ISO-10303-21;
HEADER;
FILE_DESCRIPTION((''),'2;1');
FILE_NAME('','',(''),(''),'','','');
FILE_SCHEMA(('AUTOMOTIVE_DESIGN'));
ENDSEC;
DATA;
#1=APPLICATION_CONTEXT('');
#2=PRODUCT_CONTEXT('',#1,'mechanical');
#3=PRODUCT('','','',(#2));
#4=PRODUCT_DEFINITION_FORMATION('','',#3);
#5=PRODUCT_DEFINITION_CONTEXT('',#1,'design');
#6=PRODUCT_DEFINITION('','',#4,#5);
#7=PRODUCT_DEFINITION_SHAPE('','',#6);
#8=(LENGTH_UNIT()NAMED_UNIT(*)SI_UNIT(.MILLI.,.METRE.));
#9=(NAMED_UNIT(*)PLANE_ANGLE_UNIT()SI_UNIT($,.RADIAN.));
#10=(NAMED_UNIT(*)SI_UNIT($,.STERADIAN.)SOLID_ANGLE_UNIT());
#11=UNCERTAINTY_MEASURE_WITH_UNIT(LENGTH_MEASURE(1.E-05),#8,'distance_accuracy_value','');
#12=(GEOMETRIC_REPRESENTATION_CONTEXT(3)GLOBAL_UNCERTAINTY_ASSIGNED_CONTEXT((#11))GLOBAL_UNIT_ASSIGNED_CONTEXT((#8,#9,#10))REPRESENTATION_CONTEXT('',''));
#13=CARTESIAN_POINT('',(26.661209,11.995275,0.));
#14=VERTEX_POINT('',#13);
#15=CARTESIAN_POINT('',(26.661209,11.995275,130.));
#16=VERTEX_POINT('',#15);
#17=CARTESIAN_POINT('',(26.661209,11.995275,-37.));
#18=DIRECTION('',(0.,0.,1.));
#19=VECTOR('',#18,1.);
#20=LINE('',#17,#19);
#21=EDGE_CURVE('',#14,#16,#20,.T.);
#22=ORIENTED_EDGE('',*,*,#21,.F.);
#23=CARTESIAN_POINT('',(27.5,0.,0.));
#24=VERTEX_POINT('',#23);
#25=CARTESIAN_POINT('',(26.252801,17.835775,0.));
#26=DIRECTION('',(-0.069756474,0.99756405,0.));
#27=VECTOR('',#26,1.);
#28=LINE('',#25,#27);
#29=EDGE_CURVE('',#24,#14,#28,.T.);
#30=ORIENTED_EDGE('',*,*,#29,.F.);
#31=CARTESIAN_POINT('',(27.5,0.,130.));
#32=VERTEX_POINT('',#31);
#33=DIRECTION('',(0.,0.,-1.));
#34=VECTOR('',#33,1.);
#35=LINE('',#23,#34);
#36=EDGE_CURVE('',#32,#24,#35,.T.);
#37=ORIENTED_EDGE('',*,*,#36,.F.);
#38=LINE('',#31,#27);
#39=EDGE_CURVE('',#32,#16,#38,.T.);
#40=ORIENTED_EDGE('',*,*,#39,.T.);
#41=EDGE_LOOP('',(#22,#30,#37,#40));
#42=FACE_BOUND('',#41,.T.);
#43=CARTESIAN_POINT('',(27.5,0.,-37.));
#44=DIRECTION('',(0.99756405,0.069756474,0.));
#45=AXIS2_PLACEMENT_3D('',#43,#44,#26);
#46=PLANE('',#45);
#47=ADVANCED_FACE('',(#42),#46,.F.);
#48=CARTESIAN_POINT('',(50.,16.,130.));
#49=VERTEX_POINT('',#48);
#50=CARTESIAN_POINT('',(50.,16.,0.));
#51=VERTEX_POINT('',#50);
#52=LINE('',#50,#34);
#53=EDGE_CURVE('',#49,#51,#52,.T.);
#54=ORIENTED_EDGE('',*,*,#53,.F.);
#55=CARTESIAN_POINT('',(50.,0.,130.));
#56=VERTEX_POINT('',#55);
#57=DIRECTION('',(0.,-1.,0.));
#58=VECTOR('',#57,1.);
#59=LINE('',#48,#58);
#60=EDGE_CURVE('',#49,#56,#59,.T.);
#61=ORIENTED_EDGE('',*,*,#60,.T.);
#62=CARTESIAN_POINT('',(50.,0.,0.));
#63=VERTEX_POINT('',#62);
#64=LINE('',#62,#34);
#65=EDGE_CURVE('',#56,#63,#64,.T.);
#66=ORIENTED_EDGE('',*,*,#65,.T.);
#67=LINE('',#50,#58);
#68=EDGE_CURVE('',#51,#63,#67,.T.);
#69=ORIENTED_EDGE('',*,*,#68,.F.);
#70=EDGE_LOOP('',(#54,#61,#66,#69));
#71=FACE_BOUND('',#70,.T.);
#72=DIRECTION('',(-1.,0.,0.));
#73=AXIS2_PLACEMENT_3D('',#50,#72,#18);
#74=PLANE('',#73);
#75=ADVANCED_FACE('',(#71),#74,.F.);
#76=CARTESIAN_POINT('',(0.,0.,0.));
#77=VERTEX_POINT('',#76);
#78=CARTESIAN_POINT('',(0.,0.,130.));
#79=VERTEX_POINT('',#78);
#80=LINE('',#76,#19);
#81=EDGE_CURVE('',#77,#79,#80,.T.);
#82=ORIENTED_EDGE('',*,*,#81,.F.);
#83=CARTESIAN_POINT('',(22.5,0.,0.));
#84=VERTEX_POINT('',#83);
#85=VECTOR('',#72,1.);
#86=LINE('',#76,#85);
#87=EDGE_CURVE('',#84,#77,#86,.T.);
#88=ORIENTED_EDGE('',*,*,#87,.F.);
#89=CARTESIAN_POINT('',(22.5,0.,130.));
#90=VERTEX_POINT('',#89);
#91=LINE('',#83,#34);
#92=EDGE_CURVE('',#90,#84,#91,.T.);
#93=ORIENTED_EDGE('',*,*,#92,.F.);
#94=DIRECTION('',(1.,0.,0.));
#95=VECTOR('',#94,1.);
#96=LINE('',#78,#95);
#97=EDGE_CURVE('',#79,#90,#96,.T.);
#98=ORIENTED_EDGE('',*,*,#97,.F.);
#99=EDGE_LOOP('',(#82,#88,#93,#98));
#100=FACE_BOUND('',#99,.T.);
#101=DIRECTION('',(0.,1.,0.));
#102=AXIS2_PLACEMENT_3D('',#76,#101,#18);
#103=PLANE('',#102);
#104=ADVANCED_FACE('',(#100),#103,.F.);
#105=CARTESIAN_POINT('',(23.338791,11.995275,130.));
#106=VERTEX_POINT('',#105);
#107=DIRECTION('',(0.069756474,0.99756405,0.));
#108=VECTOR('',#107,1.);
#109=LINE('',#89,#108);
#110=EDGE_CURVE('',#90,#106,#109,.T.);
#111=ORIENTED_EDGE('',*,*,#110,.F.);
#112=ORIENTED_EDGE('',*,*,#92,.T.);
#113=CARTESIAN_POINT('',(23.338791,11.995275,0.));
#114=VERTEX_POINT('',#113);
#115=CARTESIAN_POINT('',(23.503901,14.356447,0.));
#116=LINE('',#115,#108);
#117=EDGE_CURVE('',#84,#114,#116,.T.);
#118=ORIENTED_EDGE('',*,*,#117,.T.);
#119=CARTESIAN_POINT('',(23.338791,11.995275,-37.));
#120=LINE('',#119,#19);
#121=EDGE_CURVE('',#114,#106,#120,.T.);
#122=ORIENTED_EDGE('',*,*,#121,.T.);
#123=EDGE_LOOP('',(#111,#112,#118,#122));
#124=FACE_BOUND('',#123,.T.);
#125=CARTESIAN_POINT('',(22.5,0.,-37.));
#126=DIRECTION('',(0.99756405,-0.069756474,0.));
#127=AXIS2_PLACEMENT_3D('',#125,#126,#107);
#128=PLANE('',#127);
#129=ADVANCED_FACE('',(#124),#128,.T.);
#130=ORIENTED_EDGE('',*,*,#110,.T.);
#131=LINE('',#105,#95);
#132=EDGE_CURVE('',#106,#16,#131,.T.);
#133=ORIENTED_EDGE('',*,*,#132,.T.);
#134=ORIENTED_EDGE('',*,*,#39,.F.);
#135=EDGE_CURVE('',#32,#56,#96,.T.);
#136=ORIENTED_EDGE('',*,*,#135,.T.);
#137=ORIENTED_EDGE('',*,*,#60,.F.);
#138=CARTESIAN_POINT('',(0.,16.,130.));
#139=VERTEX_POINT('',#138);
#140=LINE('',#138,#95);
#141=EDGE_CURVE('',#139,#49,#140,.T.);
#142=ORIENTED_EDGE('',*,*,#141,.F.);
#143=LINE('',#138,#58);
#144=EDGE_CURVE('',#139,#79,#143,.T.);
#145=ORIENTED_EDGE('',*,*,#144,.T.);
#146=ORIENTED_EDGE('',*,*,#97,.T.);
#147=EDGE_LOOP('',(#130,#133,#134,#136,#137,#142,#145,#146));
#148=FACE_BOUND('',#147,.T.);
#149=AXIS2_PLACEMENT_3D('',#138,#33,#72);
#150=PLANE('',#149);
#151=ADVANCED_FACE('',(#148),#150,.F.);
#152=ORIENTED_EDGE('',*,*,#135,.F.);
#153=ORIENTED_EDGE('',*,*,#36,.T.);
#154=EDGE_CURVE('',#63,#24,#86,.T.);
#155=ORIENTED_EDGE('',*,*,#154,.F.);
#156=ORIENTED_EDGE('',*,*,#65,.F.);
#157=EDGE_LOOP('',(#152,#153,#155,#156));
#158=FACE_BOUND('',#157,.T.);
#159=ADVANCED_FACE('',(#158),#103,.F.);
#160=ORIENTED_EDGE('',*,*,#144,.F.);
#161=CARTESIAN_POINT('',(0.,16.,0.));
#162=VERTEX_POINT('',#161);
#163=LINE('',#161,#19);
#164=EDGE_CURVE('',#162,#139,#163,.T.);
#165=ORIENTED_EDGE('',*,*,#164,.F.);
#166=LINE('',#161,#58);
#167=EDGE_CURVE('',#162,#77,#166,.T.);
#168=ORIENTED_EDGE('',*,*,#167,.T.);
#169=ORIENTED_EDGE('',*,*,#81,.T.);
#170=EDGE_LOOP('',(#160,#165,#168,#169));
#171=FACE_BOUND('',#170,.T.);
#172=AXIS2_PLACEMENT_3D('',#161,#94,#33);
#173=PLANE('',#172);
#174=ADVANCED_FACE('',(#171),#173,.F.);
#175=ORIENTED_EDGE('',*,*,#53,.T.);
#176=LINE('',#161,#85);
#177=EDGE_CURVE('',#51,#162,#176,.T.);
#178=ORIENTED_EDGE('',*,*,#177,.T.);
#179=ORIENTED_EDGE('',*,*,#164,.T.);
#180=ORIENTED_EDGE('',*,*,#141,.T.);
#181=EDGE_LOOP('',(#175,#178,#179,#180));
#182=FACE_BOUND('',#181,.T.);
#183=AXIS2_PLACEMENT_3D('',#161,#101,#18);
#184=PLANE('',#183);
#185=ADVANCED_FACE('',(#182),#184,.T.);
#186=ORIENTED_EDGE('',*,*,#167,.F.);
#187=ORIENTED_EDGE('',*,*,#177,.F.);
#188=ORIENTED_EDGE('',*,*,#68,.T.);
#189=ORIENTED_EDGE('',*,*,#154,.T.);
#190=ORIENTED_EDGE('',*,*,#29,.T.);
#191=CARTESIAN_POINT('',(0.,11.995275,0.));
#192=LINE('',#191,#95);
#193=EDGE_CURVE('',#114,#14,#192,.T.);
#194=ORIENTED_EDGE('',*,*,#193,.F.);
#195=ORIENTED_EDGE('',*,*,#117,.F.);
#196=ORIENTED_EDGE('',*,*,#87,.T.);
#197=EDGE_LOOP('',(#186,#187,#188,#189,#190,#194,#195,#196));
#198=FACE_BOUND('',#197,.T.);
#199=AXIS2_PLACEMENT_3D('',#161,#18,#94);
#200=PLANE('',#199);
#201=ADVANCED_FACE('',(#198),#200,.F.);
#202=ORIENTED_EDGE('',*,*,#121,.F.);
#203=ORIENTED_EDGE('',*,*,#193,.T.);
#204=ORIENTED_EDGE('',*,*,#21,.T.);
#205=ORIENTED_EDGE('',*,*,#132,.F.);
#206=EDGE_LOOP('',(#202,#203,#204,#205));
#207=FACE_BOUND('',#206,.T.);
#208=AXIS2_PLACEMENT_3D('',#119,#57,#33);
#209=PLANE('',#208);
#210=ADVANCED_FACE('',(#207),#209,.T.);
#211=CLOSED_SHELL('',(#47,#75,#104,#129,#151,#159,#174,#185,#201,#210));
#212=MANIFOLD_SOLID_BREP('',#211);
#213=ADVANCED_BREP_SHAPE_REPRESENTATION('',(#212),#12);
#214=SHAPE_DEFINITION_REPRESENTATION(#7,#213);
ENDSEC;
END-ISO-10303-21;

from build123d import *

# Parameters (mm, degrees)
SKETCH1_W           = 50
SKETCH1_H           = 130
BOSS_EXTRUDE1_DEPTH = 16
CUT_EXTRUDE1_DEPTH  = 167


with BuildPart() as part:
    # Sketch1 → Boss-Extrude1 (new body)
    with BuildSketch(Plane(origin=(0, 0, 0), x_dir=(1, 0, 0), z_dir=(0, 1, 0))):
        with Locations((25, -65)):
            Rectangle(SKETCH1_W, SKETCH1_H)
    extrude(amount=BOSS_EXTRUDE1_DEPTH)

    # Sketch3 → Cut-Extrude1 (cut)
    with BuildSketch(Plane.XY.offset(130)):
        Polygon((22.5, 0), (27.5, 0), (26.661208671, 11.995274858), (23.338791329, 11.995274858), align=None)
    extrude(amount=-CUT_EXTRUDE1_DEPTH, mode=Mode.SUBTRACT)


solid = part.part
